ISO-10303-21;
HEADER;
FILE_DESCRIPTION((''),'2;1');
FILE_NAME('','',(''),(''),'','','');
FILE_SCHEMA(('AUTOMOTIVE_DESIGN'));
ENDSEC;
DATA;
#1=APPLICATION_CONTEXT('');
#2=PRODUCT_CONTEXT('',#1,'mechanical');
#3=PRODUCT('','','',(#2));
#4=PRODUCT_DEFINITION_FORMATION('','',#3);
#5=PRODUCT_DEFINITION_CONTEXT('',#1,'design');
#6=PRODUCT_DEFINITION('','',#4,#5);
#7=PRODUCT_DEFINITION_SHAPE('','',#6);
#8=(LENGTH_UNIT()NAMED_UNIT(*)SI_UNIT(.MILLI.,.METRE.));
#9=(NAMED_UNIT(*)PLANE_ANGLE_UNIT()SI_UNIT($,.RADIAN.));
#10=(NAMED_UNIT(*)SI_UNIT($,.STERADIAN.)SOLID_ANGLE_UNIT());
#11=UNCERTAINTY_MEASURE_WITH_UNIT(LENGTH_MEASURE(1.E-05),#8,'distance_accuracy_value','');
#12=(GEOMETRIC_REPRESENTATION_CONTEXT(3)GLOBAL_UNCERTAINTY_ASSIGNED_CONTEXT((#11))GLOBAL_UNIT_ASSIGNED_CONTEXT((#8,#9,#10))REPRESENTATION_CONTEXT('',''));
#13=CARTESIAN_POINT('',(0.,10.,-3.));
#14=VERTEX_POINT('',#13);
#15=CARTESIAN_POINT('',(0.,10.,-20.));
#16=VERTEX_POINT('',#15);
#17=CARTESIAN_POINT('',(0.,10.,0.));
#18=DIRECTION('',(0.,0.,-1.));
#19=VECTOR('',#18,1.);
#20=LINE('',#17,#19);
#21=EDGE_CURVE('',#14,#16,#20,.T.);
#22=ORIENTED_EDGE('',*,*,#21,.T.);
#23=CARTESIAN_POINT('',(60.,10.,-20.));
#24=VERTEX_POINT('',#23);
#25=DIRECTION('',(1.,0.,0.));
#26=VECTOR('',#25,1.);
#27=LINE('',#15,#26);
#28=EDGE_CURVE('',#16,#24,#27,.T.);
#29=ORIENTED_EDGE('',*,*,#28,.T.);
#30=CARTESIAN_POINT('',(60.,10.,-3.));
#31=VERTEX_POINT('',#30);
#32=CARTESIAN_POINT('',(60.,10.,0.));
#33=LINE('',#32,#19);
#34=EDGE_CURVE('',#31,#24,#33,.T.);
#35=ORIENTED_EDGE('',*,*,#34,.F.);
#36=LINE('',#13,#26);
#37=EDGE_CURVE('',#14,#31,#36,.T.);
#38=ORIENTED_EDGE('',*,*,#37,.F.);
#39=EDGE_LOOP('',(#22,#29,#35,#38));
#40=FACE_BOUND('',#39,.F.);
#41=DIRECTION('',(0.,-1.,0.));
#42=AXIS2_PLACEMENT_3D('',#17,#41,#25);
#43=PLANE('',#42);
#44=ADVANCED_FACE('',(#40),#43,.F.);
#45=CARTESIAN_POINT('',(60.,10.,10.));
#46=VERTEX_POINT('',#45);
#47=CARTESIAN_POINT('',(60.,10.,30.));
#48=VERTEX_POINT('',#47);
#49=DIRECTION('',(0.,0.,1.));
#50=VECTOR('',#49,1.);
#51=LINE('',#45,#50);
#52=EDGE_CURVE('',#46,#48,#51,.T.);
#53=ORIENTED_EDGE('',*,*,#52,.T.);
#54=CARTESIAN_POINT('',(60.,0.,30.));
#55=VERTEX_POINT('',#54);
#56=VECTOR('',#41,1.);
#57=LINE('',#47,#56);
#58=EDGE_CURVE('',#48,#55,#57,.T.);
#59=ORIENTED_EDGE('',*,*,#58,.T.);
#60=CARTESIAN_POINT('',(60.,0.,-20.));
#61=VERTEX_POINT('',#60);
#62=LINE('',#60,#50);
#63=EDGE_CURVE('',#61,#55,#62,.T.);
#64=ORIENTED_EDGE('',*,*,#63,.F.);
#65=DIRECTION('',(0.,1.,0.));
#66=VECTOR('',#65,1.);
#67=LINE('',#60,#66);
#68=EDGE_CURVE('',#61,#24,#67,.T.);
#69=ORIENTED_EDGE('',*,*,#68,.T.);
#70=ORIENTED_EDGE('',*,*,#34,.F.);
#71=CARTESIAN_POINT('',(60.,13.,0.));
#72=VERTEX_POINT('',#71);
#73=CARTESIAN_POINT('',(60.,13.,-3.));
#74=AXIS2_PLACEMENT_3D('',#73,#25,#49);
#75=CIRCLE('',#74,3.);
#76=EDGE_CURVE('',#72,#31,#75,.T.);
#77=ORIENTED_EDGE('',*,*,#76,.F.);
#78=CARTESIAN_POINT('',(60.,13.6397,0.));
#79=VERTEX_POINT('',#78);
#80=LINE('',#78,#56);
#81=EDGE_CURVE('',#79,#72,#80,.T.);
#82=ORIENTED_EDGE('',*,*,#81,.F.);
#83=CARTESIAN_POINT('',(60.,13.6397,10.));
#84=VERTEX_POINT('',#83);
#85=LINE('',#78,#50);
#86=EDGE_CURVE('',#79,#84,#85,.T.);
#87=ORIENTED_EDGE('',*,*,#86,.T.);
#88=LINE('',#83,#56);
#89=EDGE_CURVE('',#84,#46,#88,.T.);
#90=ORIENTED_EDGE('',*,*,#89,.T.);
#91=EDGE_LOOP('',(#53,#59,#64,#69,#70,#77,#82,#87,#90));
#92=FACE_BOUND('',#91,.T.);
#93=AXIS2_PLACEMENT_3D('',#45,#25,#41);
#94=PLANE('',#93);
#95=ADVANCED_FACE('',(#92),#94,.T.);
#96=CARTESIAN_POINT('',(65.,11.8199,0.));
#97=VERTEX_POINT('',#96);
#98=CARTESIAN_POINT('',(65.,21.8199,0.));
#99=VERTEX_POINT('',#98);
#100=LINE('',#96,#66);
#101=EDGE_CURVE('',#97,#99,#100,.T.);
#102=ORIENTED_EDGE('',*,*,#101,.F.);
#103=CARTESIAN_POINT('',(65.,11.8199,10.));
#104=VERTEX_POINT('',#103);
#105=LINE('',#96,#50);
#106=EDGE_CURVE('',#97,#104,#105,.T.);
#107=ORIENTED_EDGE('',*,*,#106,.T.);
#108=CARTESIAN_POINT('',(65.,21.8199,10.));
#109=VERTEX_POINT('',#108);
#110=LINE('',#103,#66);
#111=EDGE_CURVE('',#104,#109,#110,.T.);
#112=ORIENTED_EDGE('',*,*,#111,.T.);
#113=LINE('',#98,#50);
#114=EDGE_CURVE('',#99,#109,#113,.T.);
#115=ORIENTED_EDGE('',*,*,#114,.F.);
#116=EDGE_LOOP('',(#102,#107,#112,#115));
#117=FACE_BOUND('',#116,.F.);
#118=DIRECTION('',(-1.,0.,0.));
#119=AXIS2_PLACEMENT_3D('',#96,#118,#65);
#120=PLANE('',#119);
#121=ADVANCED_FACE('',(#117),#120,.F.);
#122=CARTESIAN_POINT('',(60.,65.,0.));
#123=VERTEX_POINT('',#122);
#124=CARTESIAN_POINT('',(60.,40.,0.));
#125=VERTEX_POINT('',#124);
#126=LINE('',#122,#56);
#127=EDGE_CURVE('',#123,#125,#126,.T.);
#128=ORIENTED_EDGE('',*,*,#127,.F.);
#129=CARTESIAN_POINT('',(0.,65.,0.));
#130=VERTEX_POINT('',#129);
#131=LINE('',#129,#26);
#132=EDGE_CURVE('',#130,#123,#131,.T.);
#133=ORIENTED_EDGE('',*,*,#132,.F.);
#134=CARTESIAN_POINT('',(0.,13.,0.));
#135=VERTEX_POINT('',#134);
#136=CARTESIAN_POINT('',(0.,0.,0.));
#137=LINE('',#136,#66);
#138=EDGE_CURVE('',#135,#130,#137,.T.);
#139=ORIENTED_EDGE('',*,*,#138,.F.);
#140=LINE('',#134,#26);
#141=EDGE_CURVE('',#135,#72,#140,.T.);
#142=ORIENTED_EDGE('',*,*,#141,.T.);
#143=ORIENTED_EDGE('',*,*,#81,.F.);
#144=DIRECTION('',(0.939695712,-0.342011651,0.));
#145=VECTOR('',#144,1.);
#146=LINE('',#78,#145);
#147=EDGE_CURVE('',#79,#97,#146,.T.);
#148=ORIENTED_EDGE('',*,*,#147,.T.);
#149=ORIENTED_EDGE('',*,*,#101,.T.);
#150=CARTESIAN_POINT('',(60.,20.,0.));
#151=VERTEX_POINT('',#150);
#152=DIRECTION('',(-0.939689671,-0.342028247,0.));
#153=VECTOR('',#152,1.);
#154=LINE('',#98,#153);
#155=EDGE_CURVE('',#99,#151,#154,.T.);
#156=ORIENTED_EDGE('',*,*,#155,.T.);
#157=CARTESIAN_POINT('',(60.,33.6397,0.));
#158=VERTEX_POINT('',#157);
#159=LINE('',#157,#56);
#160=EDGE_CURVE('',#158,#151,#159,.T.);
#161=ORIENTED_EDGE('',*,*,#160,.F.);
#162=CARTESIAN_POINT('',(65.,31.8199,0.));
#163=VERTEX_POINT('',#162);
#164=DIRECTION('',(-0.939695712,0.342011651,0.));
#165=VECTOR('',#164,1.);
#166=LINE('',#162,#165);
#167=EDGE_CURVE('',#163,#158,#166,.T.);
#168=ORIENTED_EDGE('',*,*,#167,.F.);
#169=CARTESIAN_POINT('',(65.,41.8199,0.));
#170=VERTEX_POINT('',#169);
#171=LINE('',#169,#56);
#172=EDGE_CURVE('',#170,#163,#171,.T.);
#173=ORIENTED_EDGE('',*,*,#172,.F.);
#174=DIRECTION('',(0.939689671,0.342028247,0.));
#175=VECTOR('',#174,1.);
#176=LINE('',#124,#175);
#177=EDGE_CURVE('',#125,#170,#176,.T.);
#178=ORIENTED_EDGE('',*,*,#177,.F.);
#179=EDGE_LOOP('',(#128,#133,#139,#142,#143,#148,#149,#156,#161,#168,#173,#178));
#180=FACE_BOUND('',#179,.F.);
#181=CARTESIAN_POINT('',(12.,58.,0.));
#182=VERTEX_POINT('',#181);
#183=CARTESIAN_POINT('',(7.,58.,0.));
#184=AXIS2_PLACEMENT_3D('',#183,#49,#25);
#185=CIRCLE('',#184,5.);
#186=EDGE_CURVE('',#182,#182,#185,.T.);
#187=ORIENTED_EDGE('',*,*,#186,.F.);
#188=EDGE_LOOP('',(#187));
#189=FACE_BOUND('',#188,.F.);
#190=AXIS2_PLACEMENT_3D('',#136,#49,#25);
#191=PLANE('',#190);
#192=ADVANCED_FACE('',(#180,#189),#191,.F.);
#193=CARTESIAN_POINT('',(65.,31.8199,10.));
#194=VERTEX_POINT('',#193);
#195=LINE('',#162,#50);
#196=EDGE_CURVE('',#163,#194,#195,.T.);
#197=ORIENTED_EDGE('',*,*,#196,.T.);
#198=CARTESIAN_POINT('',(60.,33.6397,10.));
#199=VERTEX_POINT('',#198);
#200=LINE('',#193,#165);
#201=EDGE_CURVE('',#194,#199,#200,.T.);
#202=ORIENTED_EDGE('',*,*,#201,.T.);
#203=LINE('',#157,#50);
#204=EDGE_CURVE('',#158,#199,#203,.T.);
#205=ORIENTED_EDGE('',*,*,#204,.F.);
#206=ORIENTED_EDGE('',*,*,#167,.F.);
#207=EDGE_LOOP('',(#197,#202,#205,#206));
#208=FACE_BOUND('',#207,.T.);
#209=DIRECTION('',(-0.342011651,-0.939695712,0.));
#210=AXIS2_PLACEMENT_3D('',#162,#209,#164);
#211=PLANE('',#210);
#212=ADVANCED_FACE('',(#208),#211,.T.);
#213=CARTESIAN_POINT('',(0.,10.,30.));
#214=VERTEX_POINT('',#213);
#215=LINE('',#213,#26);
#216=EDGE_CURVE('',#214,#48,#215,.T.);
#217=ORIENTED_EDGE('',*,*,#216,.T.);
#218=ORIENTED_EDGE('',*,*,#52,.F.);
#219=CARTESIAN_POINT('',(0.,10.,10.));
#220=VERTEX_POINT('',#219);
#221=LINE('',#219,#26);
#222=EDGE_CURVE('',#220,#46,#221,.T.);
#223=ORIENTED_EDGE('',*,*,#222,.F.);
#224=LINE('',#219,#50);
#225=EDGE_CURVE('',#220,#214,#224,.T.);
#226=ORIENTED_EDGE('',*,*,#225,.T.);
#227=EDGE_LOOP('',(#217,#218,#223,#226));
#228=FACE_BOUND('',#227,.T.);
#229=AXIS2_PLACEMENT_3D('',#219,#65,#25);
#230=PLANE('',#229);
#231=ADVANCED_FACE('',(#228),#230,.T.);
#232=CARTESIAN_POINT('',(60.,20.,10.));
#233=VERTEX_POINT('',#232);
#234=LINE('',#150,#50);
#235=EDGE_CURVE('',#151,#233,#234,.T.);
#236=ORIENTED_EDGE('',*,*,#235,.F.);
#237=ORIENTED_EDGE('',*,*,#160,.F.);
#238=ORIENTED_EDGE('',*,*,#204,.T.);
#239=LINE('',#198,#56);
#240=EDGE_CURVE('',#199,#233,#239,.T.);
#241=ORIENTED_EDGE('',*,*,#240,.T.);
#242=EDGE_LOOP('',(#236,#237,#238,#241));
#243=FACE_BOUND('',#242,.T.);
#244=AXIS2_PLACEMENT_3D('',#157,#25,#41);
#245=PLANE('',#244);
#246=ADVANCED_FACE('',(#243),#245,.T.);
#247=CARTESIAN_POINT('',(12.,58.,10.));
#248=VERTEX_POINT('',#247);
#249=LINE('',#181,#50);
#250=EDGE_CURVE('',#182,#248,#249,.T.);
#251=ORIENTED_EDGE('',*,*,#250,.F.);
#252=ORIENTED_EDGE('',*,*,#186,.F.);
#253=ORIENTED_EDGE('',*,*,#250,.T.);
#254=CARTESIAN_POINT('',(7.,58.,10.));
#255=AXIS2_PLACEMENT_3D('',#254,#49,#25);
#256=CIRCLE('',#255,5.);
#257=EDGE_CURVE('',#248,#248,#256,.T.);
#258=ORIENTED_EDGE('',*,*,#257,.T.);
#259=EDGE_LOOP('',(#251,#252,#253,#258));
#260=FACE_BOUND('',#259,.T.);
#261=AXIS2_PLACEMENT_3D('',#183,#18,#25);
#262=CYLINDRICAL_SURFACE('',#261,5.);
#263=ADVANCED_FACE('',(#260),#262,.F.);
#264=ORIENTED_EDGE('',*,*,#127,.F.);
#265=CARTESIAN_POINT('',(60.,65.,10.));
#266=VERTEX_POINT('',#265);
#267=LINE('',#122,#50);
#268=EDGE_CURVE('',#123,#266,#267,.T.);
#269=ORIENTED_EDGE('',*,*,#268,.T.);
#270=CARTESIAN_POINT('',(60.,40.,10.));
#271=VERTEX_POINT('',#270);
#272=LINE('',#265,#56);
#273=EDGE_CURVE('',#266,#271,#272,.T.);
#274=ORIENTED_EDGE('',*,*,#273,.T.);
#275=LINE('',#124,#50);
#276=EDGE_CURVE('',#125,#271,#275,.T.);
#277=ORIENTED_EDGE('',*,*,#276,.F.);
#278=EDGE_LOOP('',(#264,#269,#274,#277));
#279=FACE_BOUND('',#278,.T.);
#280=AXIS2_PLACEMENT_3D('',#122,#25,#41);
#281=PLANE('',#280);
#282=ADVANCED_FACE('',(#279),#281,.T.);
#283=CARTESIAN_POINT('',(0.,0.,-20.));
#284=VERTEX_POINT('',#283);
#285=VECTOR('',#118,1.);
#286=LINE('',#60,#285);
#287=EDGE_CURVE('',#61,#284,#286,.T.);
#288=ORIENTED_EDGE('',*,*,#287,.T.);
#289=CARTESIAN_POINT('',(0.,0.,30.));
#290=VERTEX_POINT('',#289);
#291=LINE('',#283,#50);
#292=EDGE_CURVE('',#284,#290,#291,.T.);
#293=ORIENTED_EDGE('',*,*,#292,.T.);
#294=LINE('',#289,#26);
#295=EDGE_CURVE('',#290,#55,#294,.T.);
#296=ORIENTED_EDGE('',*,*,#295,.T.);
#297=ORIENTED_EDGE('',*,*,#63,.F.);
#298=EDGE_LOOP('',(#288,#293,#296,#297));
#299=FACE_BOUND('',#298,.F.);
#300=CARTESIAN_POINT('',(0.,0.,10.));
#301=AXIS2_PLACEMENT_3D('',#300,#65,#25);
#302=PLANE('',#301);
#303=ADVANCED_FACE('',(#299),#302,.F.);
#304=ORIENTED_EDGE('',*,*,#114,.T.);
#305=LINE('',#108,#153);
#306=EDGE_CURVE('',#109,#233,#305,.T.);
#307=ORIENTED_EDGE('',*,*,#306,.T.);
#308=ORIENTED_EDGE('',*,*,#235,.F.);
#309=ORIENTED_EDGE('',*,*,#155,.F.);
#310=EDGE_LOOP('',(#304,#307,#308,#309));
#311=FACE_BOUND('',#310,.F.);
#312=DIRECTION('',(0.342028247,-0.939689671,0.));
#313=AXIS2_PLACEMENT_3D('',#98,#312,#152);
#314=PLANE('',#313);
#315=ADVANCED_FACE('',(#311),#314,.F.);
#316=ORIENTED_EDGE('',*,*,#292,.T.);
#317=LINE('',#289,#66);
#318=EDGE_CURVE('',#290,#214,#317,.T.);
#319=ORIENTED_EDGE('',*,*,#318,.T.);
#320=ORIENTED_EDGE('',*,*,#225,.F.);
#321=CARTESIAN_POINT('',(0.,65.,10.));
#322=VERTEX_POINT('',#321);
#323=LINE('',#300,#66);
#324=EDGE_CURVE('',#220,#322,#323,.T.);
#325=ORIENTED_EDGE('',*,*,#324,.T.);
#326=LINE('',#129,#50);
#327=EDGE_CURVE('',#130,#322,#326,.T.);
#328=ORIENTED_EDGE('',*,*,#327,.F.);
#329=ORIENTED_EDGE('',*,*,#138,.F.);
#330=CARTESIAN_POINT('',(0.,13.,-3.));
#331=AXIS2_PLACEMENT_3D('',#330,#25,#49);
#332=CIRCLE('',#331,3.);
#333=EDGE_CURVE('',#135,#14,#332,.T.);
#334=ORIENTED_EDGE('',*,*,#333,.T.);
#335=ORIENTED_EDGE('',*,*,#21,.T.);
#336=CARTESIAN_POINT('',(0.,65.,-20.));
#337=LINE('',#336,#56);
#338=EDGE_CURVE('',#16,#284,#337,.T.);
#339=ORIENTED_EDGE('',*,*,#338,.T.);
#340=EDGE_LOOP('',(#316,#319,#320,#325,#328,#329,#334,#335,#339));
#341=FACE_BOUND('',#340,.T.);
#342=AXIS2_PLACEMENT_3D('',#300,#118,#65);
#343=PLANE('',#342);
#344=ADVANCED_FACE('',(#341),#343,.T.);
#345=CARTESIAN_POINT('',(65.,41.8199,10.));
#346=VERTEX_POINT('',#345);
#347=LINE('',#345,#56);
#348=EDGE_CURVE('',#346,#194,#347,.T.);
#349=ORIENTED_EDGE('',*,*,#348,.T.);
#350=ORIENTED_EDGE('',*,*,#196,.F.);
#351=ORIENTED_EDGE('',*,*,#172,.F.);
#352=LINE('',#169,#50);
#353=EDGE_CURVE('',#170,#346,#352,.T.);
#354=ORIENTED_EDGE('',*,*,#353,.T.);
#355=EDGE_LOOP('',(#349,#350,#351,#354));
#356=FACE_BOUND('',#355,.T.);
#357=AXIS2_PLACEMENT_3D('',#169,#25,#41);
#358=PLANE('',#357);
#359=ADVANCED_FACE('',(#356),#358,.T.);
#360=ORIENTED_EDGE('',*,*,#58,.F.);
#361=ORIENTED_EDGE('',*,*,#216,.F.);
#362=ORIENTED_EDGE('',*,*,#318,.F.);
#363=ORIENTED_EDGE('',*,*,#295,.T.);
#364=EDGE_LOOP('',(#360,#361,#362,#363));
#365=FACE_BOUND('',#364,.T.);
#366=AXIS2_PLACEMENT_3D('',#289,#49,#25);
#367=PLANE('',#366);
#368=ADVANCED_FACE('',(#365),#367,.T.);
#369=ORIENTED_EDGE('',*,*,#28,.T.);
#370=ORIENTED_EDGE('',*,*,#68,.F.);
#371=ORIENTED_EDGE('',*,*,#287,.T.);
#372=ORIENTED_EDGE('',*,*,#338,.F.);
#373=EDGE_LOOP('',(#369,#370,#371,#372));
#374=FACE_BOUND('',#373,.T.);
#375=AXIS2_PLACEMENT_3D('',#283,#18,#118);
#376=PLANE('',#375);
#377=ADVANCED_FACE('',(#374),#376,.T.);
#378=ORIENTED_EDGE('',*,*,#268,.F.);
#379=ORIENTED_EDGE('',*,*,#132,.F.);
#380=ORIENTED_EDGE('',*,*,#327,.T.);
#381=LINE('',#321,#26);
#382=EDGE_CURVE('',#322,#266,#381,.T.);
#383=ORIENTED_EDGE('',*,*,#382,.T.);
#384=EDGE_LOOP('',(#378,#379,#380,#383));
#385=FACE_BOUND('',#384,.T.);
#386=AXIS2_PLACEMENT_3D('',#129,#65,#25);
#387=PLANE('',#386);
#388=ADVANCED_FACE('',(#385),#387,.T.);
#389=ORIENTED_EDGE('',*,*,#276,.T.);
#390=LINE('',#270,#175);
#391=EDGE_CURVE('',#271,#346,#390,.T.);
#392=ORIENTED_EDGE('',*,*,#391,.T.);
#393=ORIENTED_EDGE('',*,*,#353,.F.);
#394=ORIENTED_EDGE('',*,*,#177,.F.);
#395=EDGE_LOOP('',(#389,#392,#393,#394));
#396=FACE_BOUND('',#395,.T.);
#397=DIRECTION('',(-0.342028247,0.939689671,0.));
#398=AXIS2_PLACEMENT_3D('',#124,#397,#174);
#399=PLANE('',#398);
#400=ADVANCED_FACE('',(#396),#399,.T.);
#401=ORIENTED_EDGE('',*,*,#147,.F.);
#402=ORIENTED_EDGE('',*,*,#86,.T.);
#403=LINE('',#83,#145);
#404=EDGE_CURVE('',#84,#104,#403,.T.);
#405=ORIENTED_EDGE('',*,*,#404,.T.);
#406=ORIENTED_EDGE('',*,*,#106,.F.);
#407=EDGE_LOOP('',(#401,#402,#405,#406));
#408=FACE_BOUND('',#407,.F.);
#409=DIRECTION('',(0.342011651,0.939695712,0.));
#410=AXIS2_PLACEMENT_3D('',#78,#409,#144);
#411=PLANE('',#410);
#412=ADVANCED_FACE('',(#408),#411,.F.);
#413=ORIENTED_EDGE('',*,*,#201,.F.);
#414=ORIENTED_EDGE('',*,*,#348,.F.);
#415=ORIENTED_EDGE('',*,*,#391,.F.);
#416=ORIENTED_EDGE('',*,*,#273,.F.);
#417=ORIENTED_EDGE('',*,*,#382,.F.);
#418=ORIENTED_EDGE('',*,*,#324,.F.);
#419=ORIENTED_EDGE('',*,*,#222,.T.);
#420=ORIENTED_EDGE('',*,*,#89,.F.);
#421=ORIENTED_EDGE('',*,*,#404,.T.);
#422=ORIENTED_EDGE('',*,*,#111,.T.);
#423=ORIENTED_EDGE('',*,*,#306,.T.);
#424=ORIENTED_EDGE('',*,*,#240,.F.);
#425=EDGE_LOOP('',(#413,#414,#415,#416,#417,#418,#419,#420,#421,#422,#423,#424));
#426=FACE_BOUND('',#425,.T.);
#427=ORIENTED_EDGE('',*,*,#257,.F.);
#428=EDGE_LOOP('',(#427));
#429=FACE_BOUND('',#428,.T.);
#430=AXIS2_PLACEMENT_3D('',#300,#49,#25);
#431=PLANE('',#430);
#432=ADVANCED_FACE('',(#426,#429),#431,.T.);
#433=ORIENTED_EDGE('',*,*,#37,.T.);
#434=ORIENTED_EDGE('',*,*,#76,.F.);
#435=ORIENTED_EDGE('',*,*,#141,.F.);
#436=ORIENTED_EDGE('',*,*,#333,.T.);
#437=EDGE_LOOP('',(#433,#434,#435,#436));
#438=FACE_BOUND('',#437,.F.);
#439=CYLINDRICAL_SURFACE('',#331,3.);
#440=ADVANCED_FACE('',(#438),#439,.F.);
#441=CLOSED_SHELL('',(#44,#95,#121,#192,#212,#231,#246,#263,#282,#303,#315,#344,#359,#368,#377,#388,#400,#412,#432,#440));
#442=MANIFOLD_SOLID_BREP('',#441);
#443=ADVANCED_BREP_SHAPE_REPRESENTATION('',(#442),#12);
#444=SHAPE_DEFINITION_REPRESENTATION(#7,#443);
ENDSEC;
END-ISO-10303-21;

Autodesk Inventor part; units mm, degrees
ref_plane "YZ Plane" through (0, 0, 0) normal (1, 0, 0) x (0, 1, 0)
ref_plane "XZ Plane" through (0, 0, 0) normal (0, 1, 0) x (-1, 0, 0)
ref_plane "XY Plane" through (0, 0, 0) normal (0, 0, 1) x (1, 0, 0)
sketch "Sketch1" plane through (0, 0, 0) normal (0, 0, 1) x (1, 0, 0)
  line L0 (0, 0) -> (0, 65)
  line L1 (0, 65) -> (60, 65)
  line L2 (60, 0) -> (0, 0)
  line L3 (60, 13.6397) -> (65, 11.8199)
  line L4 (65, 11.8199) -> (65, 21.8199)
  line L5 (65, 21.8199) -> (60, 20)
  line L6 (60, 13.6397) -> (60, 0)
  line L7 (60, 40) -> (65, 41.8199)
  line L8 (65, 41.8199) -> (65, 31.8199)
  line L9 (65, 31.8199) -> (60, 33.6397)
  line L10 (60, 65) -> (60, 40)
  line L11 (60, 33.6397) -> (60, 20)
  circle A0 centre (7, 58) radius 5
  dimension "d0" = 65
  dimension "d1" = 60
  dimension "d2" = 10
  dimension "d6" = 6.3603
  dimension "d7" = 5
  dimension "d8" = 20
  dimension "d10" = 70
  dimension "d11" = 13.6397
  dimension "d12" = 10
  dimension "d13" = 70
  dimension "d14" = 70
  dimension "d15" = 70
  dimension "d16" = 5
  dimension "d17" = 40
  dimension "d18" = 10
  dimension "d19" = 7
  dimension "d20" = 7
extrude "Extrusion1" add sketch "Sketch1" along normal blind 10
sketch "Sketch2" plane through (0, 0, 0) normal (0, 0, -1) x (-1, 0, 0)
  line L0 (0, 65) -> (0, 0) projected
  line L1 (0, 0) -> (0, 10)
  line L2 (0, 10) -> (-60, 10)
  line L3 (-60, 0) -> (-60, 13.6397) projected
  line L4 (-60, 0) -> (0, 0)
  dimension "d23" = 10
sketch "Sketch3" plane through (0, 0, 0) normal (0, 0, -1) x (-1, 0, 0)
  point P0 (0, 0)
extrude "Extrusion2" add sketch "Sketch2" along normal blind 20
fillet "Fillet1" radius 3 1 edges at (30, 10, 0)
sketch "Sketch4" plane through (0, 0, 10) normal (0, 0, 1) x (1, 0, 0)
  line L0 (0, 0) -> (0, 10) projected
  line L1 (60, 10) -> (60, 13) projected
  line L2 (0, 10) -> (60, 10)
  line L3 (60, 10) -> (60, 0)
  line L4 (0, 0) -> (60, 0) projected
  line L5 (60, 0) -> (0, 0)
  line L6 (0, 0) -> (0, 10)
extrude "Extrusion3" add sketch "Sketch4" along normal blind 20
properties part number "SpoolWinderDriveBase"
